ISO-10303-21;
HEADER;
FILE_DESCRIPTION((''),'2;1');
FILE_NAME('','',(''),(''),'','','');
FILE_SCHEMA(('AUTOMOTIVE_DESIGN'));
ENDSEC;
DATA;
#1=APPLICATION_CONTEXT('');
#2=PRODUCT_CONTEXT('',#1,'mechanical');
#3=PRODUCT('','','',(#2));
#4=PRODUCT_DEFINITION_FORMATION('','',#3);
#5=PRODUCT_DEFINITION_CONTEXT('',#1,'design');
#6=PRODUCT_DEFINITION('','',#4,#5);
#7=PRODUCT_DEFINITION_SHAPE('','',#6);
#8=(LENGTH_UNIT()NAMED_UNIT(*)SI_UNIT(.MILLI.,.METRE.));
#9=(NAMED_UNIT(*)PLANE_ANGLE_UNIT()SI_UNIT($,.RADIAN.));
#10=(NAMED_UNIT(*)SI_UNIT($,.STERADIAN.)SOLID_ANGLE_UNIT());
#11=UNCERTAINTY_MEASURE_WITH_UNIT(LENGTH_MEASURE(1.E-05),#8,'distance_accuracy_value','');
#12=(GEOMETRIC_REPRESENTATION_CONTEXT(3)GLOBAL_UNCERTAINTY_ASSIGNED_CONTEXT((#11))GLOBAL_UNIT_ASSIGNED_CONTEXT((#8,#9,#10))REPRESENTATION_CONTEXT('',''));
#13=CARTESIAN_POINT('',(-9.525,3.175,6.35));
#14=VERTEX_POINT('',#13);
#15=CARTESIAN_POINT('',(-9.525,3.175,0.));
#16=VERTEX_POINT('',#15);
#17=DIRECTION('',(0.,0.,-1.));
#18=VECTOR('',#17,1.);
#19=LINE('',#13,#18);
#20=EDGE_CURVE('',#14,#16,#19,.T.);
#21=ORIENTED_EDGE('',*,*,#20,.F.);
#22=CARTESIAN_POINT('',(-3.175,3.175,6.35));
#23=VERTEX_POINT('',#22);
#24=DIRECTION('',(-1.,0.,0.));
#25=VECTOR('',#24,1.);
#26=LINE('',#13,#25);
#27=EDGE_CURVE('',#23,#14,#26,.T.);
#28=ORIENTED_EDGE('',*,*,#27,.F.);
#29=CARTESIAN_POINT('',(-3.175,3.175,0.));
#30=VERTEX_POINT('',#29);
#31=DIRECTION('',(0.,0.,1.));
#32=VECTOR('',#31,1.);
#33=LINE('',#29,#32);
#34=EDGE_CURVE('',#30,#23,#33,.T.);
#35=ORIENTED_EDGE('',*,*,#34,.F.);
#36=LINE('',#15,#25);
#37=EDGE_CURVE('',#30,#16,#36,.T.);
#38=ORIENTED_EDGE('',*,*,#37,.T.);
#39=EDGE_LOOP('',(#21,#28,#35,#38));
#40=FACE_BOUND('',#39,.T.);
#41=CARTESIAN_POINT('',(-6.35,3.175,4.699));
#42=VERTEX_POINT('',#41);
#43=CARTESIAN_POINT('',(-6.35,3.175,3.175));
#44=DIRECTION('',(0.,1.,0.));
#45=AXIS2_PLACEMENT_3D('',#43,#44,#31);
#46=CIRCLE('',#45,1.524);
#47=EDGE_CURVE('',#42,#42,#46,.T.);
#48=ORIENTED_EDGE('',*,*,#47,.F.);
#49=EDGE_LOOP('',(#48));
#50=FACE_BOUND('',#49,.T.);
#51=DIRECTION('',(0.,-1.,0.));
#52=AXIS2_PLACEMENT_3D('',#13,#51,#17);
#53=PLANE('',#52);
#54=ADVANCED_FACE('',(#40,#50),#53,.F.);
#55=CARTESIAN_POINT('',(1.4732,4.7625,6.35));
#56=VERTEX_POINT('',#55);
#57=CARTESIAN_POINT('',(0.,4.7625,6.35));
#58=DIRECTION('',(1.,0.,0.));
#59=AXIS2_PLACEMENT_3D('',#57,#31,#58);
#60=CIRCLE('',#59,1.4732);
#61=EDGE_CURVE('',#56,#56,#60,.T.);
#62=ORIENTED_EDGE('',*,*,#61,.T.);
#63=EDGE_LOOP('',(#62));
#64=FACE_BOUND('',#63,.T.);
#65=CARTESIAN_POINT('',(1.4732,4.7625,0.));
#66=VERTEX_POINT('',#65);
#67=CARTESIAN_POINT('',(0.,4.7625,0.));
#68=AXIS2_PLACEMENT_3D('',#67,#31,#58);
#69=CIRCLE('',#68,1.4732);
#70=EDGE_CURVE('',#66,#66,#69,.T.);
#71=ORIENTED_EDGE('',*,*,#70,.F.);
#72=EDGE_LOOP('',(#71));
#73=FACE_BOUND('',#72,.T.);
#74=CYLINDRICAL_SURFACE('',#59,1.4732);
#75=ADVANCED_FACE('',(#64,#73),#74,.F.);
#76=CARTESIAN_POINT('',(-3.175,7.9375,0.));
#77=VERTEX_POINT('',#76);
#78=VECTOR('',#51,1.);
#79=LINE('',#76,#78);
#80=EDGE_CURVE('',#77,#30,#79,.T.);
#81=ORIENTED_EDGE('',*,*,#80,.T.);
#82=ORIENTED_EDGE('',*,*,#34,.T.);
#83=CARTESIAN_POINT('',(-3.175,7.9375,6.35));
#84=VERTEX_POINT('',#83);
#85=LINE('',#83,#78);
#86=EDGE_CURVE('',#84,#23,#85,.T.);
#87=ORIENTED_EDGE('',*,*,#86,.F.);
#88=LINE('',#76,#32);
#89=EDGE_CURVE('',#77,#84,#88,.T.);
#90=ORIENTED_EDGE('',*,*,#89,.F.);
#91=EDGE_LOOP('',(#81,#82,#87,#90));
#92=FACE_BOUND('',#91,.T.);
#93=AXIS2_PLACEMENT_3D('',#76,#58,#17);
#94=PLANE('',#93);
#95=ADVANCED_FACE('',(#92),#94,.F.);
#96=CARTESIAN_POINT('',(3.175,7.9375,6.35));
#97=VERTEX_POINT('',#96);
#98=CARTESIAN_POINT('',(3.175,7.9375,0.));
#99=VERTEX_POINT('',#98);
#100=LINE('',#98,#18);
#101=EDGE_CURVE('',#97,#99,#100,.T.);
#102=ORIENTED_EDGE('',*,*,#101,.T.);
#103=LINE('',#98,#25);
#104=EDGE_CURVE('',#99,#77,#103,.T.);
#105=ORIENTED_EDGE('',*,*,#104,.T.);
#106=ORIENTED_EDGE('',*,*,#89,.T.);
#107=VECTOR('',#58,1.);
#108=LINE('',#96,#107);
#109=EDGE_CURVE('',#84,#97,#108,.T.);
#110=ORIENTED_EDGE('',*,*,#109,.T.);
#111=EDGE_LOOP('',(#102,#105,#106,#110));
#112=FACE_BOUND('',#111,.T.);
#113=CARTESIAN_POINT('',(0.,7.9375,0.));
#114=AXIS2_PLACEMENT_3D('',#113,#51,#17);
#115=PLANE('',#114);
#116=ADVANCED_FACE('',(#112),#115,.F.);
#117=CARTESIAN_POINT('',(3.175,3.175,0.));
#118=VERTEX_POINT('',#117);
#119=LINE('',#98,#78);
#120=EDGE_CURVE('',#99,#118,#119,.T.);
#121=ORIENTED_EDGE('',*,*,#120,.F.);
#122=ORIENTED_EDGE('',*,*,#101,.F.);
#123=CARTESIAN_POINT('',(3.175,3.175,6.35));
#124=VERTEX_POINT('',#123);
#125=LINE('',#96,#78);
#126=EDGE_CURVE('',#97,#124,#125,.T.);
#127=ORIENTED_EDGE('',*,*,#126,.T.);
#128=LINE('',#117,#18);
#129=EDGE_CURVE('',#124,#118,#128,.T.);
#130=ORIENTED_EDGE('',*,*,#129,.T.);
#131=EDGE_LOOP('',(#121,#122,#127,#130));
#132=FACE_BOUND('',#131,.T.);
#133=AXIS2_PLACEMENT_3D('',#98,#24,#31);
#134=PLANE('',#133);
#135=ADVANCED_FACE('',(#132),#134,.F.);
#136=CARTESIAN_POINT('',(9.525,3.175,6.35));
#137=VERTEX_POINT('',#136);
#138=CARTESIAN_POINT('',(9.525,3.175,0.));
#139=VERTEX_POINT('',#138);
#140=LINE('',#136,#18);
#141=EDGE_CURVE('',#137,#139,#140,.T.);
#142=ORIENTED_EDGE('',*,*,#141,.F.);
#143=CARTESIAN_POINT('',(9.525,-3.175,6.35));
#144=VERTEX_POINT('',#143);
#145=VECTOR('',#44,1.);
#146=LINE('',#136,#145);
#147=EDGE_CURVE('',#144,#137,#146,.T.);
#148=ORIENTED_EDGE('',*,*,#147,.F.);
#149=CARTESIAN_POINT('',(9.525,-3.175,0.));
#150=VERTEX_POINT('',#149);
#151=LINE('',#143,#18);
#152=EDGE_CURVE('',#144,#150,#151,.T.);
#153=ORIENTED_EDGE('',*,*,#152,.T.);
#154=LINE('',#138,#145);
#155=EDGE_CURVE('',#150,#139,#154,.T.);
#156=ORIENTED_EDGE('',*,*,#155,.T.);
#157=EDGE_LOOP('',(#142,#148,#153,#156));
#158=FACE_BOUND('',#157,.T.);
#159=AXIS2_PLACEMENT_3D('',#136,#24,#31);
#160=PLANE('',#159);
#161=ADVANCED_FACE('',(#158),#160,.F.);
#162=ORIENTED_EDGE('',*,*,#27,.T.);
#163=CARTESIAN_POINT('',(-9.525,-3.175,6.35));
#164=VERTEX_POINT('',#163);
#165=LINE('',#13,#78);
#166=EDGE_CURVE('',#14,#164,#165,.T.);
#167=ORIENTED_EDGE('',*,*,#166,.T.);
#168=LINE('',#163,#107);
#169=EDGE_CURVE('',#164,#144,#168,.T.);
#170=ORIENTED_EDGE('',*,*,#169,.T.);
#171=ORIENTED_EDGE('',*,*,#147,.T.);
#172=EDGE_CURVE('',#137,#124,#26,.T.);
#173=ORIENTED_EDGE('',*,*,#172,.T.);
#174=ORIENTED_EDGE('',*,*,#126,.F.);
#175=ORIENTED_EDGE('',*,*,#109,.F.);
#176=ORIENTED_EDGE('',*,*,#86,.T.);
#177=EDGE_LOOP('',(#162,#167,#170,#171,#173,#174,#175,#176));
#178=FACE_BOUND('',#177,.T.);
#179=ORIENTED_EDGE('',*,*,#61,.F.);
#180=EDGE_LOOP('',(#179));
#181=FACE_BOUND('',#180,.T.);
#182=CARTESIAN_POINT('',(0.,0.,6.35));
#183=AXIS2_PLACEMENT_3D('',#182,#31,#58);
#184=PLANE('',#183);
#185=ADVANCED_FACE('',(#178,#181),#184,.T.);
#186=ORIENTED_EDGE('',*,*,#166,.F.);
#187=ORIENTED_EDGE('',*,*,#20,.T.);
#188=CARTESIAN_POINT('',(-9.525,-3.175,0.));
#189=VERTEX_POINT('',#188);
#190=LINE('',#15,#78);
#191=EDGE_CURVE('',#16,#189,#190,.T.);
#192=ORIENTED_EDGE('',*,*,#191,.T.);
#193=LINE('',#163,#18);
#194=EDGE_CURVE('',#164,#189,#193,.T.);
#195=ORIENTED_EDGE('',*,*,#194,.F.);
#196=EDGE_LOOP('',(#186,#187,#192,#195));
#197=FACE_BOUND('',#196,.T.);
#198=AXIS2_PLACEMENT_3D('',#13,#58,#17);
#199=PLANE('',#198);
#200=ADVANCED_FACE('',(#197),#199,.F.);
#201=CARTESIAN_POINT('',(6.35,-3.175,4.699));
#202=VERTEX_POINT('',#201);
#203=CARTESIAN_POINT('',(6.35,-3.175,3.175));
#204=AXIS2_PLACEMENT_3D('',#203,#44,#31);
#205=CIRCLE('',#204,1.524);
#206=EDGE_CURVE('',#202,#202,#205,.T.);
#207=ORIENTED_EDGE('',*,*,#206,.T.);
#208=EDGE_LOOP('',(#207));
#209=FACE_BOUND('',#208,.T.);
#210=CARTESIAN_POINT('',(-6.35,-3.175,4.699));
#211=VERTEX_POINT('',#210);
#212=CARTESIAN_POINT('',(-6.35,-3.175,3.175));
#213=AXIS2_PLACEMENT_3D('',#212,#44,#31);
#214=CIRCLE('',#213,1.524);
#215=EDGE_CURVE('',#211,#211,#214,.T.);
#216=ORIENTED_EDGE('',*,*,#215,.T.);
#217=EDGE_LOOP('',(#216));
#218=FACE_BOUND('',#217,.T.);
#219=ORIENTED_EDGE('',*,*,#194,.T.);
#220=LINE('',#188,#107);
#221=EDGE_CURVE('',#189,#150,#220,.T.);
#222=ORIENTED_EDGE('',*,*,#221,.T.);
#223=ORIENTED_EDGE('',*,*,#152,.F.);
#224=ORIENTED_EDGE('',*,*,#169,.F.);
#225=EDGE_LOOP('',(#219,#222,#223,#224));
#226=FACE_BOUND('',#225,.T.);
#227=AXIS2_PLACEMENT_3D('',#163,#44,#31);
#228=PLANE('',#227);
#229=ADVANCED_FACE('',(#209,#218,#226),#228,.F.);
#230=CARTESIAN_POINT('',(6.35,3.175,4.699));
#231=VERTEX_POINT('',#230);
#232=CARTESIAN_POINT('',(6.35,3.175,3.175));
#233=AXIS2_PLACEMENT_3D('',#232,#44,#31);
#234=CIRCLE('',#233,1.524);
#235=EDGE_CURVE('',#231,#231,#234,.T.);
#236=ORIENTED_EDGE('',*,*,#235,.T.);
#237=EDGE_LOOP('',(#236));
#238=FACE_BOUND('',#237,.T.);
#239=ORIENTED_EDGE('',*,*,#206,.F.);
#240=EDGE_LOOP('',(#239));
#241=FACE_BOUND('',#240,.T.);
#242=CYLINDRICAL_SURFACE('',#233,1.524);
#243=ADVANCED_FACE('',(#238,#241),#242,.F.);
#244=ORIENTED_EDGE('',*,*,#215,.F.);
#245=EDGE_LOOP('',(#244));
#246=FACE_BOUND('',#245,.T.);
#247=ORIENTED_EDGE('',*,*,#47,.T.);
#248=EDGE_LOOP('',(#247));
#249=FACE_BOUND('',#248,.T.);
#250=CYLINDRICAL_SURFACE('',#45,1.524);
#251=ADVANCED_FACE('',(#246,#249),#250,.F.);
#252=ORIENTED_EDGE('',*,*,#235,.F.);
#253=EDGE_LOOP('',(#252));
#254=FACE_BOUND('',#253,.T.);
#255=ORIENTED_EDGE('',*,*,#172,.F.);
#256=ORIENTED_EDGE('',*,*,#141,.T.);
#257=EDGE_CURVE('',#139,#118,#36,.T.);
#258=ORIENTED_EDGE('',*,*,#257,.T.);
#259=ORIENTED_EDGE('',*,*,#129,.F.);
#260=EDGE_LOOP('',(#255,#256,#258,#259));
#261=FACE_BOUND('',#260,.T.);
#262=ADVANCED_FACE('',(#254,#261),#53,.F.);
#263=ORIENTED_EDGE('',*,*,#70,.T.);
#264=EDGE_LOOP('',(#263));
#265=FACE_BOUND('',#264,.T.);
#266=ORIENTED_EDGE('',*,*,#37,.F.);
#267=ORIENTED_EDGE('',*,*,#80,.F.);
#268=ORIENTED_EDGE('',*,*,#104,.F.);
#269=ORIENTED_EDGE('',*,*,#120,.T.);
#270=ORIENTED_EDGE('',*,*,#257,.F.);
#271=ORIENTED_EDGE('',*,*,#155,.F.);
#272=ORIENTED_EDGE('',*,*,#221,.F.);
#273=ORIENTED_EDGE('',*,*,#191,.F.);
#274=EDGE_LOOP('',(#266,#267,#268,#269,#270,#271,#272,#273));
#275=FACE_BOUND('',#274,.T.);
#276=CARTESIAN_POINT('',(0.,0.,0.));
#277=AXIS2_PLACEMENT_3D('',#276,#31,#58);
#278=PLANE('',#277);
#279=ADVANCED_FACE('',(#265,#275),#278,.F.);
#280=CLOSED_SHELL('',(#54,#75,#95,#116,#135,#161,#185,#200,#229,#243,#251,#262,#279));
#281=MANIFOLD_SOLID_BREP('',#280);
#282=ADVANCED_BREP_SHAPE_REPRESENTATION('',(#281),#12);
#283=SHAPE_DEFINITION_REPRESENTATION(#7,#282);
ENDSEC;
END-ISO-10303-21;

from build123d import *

# Parameters (mm, degrees)
SKETCH1_W                        = 19.05
SKETCH1_H                        = 6.35
BOSS_EXTRUDE1_DEPTH              = 6.35
SKETCH6_W                        = 6.35
SKETCH6_H                        = 6.35
BOSS_EXTRUDE2_DEPTH              = 4.7625
TAPPED_HOLE_FOR_4_40_HELICOIL1_D = 3.048
F_4_CLEARANCE_HOLE2_D            = 2.9464


with BuildPart() as part:
    # Sketch1 → Boss-Extrude1 (new body)
    with BuildSketch(Plane.XY):
        Rectangle(SKETCH1_W, SKETCH1_H)
    extrude(amount=BOSS_EXTRUDE1_DEPTH)

    # Sketch6 → Boss-Extrude2 (add)
    with BuildSketch(Plane(origin=(0, 3.175, 0), x_dir=(1, 0, 0), z_dir=(0, 1, 0))):
        with Locations((0, -3.175)):
            Rectangle(SKETCH6_W, SKETCH6_H)
    extrude(amount=BOSS_EXTRUDE2_DEPTH)

    # Tapped Hole for #4-40 Helicoil1 (through all)
    with Locations(Plane(origin=(0, 3.175, 0), x_dir=(1, 0, 0), z_dir=(0, 1, 0))):
        with Locations((-6.35, -3.175), (6.35, -3.175)):
            Hole(TAPPED_HOLE_FOR_4_40_HELICOIL1_D / 2)

    # #4 Clearance Hole2 (through all)
    with Locations(Plane.XY.offset(6.35)):
        with Locations((0, 4.7625)):
            Hole(F_4_CLEARANCE_HOLE2_D / 2)


solid = part.part
